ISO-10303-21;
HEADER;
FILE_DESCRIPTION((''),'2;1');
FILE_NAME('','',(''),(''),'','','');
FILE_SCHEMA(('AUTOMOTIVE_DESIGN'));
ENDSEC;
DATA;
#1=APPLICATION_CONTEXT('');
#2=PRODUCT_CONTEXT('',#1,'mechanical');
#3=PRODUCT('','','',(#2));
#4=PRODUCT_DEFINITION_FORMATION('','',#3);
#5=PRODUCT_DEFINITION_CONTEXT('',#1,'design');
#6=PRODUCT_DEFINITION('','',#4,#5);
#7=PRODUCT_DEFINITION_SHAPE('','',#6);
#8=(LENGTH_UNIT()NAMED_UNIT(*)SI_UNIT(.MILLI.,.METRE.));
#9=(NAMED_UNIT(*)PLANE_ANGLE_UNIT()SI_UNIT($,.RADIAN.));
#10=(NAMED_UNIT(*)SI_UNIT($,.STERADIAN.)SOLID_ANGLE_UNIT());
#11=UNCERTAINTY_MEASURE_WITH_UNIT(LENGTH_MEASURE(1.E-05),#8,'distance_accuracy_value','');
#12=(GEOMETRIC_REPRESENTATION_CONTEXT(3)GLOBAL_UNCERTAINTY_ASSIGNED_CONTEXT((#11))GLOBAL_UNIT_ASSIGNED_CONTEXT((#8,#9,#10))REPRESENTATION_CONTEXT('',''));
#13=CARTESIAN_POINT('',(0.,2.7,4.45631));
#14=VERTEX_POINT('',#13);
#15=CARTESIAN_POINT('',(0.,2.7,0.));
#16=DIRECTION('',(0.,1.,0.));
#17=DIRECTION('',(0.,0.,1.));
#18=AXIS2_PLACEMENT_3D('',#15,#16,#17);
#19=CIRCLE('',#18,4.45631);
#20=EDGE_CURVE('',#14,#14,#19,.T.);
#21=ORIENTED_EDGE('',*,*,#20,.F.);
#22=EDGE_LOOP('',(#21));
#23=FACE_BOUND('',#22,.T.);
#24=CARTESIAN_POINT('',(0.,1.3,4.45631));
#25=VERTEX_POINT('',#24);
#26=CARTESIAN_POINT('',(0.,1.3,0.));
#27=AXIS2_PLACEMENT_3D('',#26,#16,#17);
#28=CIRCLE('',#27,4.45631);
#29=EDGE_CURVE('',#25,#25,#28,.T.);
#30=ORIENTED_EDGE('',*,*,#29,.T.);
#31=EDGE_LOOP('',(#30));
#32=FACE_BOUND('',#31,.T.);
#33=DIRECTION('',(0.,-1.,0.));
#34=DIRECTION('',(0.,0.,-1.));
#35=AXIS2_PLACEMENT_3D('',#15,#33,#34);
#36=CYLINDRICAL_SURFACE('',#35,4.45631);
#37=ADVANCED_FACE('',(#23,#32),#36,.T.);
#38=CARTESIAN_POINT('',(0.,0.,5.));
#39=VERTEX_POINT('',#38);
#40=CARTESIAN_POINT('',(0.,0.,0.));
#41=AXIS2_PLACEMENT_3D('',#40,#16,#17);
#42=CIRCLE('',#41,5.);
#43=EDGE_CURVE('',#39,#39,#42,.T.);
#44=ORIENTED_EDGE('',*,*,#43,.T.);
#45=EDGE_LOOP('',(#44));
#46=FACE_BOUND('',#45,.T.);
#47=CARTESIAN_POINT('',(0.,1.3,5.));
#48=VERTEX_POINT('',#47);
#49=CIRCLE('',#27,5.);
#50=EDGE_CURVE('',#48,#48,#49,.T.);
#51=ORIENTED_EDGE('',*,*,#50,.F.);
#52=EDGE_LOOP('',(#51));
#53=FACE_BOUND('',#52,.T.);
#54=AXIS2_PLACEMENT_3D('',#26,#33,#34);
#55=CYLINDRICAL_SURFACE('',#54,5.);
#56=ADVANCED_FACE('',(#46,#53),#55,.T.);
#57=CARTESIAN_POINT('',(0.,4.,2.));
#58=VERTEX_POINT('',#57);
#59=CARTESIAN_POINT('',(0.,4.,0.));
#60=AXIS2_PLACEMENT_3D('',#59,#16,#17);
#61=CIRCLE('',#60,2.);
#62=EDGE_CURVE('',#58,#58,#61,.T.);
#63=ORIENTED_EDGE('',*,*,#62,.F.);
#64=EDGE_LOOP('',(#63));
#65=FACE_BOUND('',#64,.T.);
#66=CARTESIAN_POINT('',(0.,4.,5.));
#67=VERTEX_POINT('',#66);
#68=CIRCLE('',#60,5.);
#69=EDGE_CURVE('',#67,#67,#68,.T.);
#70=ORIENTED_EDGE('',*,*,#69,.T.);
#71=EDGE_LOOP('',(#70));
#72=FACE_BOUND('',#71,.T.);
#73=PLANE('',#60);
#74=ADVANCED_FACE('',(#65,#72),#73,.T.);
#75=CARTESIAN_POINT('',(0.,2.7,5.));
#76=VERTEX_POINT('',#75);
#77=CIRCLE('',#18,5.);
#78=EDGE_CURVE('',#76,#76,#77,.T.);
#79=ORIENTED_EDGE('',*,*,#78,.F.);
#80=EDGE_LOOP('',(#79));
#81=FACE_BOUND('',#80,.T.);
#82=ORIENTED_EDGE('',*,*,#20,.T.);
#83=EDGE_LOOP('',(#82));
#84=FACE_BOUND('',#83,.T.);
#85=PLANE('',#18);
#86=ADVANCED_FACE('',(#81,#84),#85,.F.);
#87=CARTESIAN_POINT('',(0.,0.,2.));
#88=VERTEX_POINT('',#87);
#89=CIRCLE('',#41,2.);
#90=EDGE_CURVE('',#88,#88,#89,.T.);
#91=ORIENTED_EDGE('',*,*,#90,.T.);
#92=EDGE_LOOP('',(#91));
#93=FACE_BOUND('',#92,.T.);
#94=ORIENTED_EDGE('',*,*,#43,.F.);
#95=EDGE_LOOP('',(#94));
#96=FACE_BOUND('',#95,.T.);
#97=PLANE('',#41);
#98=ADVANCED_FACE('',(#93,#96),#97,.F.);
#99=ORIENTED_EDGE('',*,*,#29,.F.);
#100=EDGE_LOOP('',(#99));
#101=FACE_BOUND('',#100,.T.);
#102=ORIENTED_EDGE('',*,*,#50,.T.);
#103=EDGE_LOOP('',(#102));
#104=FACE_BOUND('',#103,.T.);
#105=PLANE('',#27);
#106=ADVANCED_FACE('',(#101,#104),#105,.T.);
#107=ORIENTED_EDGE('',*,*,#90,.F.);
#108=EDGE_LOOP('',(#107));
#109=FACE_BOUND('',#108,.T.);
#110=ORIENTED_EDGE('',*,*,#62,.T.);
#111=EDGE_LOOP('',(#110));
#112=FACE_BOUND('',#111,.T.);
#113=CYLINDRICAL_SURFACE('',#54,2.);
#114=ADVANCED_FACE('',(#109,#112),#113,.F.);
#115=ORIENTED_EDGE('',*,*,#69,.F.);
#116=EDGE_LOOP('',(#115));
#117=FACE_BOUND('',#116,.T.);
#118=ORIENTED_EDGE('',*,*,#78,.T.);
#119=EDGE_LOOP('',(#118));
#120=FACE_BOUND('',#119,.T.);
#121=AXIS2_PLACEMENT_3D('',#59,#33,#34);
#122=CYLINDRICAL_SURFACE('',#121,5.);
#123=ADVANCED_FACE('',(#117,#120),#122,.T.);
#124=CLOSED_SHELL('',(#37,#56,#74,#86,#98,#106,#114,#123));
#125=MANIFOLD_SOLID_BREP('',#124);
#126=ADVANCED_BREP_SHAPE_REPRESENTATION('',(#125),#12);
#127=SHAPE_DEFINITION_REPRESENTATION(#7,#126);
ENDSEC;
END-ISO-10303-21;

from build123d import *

# Parameters (mm, degrees)
SKETCH1_R           = 5
SKETCH1_R_2         = 2
BOSS_EXTRUDE1_DEPTH = 1.3
SKETCH2_R           = 4.456309589
SKETCH2_R_2         = 2
BOSS_EXTRUDE2_DEPTH = 1.4
LPATTERN2_COUNT     = 2
LPATTERN2_PITCH     = 2.7


with BuildPart() as part:
    # Sketch1 → Boss-Extrude1 (new body)
    with BuildSketch(Plane(origin=(0, 0, 0), x_dir=(1, 0, 0), z_dir=(0, 1, 0))):
        with Locations(Location((0, 0, 0), (0, 0, 270))):
            Circle(SKETCH1_R)
        with Locations(Location((0, 0, 0), (0, 0, 270))):
            Circle(SKETCH1_R_2, mode=Mode.SUBTRACT)
    boss_extrude1 = extrude(amount=BOSS_EXTRUDE1_DEPTH)

    # Sketch2 → Boss-Extrude2 (add)
    with BuildSketch(Plane(origin=(0, 1.3, 0), x_dir=(1, 0, 0), z_dir=(0, 1, 0))):
        with Locations(Location((0, 0, 0), (0, 0, 270))):
            Circle(SKETCH2_R)
        with Locations(Location((0, 0, 0), (0, 0, 270))):
            Circle(SKETCH2_R_2, mode=Mode.SUBTRACT)
    extrude(amount=BOSS_EXTRUDE2_DEPTH)

    # LPattern2: Boss-Extrude1 ×2
    with Locations(*[(0, i * LPATTERN2_PITCH, 0) for i in range(1, LPATTERN2_COUNT)]):
        add(boss_extrude1)


solid = part.part
